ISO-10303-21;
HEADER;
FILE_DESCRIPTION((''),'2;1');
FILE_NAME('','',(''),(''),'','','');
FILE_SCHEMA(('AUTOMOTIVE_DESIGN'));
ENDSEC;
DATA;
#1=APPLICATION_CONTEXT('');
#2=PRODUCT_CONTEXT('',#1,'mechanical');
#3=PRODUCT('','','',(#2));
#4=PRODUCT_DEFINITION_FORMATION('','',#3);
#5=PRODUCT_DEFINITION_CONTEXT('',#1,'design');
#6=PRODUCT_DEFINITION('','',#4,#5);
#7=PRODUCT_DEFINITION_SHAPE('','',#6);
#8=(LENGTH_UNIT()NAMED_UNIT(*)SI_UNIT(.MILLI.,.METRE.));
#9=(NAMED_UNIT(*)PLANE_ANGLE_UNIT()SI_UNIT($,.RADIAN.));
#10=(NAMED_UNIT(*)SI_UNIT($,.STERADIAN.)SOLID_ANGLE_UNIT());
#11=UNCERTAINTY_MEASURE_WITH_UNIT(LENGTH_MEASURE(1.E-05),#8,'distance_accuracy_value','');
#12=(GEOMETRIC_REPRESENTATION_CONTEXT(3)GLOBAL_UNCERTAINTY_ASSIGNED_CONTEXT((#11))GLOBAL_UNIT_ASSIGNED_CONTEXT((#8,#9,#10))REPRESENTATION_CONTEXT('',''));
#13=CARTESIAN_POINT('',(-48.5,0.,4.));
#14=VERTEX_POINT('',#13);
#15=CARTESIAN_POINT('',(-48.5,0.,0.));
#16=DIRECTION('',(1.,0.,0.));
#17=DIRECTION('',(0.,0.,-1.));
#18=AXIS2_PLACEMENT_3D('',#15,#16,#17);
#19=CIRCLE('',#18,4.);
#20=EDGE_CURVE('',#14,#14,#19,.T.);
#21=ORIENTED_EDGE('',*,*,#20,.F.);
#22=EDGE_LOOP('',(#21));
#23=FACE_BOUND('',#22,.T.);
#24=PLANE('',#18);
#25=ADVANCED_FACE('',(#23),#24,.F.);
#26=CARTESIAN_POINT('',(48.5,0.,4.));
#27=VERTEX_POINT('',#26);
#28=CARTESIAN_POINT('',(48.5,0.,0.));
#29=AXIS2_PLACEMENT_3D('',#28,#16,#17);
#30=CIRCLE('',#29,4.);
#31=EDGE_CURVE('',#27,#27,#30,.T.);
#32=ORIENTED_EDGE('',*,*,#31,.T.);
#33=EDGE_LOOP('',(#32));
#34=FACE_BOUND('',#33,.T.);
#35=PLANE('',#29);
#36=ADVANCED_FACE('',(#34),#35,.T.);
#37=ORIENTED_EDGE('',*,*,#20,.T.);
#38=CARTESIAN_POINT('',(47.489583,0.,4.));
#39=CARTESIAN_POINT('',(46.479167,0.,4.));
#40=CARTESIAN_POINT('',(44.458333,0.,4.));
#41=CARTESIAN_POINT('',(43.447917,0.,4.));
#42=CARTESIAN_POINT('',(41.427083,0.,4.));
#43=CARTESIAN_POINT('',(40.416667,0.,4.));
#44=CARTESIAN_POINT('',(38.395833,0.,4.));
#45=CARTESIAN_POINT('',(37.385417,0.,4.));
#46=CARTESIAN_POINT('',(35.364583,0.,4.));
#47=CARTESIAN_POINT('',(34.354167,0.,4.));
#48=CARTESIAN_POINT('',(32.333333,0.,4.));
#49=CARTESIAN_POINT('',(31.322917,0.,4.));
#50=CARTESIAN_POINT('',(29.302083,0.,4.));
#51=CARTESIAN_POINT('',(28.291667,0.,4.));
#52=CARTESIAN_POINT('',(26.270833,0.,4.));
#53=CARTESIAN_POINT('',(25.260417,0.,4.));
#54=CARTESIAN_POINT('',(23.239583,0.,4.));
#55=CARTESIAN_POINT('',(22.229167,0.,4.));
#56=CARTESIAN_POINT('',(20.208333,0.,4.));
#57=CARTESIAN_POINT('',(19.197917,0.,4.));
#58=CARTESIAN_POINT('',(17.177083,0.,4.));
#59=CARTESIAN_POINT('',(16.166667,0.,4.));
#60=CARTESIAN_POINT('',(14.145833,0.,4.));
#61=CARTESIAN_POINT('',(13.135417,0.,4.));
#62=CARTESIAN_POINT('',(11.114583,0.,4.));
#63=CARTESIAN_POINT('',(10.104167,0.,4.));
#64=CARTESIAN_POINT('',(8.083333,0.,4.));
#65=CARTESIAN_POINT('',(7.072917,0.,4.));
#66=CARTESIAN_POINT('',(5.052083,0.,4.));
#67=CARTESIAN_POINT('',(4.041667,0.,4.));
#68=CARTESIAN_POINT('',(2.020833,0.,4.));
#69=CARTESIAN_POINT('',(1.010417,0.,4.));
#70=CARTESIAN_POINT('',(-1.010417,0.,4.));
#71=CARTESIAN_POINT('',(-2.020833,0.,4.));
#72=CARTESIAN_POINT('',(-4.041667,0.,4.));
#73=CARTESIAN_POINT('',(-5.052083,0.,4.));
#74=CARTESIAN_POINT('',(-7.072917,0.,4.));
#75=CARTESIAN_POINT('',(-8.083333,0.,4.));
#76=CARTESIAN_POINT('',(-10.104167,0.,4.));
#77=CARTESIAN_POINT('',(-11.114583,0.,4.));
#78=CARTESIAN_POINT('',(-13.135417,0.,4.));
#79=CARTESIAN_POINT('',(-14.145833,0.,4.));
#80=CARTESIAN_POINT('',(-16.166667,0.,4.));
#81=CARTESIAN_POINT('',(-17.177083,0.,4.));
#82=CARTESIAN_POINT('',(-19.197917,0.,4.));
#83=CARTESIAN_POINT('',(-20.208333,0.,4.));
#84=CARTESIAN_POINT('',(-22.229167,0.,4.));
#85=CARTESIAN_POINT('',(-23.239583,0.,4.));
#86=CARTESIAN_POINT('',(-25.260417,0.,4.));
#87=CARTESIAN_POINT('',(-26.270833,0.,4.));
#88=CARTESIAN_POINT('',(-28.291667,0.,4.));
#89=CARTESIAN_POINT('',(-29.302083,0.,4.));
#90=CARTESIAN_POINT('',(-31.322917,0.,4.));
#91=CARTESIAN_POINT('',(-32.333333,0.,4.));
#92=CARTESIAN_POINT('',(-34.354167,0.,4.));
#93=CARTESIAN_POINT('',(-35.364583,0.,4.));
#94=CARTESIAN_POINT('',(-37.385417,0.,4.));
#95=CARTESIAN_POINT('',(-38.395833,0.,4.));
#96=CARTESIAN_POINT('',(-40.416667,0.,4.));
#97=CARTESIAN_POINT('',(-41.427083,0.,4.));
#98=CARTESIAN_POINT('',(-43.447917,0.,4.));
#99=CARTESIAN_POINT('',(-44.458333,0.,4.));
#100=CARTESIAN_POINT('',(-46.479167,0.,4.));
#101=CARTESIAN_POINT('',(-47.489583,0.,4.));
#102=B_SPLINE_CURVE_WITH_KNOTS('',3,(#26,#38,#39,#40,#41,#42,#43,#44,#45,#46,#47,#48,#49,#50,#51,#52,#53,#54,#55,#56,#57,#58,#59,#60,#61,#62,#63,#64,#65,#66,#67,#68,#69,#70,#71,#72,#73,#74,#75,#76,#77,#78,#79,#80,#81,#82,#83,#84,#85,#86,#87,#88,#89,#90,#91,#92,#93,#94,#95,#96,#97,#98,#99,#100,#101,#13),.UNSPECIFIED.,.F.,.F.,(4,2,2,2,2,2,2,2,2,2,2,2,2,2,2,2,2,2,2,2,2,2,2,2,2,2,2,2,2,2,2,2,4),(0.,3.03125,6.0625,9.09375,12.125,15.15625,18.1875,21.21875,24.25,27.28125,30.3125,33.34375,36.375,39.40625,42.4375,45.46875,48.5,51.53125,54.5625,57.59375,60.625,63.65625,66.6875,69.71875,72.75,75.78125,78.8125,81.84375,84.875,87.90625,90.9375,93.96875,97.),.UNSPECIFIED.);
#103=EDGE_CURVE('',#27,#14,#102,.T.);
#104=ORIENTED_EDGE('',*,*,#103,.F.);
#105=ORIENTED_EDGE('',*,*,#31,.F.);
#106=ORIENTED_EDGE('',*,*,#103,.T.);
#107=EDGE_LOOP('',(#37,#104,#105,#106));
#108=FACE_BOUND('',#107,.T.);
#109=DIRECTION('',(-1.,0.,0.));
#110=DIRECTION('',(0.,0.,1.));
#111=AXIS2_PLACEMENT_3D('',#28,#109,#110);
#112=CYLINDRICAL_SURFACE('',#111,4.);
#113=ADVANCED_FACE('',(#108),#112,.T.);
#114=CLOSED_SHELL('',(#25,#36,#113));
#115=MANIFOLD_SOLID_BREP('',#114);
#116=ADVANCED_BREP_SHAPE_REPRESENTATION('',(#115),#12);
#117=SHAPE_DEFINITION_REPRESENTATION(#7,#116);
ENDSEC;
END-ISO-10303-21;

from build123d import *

# Parameters (mm, degrees)
SKETCH1_R           = 4
BOSS_EXTRUDE1_DEPTH = 48.5


with BuildPart() as part:
    # Sketch1 → Boss-Extrude1 (new, symmetric)
    with BuildSketch(Plane(origin=(0, 0, 0), x_dir=(0, 0, -1), z_dir=(1, 0, 0))):
        Circle(SKETCH1_R)
    extrude(amount=BOSS_EXTRUDE1_DEPTH, both=True)


solid = part.part
